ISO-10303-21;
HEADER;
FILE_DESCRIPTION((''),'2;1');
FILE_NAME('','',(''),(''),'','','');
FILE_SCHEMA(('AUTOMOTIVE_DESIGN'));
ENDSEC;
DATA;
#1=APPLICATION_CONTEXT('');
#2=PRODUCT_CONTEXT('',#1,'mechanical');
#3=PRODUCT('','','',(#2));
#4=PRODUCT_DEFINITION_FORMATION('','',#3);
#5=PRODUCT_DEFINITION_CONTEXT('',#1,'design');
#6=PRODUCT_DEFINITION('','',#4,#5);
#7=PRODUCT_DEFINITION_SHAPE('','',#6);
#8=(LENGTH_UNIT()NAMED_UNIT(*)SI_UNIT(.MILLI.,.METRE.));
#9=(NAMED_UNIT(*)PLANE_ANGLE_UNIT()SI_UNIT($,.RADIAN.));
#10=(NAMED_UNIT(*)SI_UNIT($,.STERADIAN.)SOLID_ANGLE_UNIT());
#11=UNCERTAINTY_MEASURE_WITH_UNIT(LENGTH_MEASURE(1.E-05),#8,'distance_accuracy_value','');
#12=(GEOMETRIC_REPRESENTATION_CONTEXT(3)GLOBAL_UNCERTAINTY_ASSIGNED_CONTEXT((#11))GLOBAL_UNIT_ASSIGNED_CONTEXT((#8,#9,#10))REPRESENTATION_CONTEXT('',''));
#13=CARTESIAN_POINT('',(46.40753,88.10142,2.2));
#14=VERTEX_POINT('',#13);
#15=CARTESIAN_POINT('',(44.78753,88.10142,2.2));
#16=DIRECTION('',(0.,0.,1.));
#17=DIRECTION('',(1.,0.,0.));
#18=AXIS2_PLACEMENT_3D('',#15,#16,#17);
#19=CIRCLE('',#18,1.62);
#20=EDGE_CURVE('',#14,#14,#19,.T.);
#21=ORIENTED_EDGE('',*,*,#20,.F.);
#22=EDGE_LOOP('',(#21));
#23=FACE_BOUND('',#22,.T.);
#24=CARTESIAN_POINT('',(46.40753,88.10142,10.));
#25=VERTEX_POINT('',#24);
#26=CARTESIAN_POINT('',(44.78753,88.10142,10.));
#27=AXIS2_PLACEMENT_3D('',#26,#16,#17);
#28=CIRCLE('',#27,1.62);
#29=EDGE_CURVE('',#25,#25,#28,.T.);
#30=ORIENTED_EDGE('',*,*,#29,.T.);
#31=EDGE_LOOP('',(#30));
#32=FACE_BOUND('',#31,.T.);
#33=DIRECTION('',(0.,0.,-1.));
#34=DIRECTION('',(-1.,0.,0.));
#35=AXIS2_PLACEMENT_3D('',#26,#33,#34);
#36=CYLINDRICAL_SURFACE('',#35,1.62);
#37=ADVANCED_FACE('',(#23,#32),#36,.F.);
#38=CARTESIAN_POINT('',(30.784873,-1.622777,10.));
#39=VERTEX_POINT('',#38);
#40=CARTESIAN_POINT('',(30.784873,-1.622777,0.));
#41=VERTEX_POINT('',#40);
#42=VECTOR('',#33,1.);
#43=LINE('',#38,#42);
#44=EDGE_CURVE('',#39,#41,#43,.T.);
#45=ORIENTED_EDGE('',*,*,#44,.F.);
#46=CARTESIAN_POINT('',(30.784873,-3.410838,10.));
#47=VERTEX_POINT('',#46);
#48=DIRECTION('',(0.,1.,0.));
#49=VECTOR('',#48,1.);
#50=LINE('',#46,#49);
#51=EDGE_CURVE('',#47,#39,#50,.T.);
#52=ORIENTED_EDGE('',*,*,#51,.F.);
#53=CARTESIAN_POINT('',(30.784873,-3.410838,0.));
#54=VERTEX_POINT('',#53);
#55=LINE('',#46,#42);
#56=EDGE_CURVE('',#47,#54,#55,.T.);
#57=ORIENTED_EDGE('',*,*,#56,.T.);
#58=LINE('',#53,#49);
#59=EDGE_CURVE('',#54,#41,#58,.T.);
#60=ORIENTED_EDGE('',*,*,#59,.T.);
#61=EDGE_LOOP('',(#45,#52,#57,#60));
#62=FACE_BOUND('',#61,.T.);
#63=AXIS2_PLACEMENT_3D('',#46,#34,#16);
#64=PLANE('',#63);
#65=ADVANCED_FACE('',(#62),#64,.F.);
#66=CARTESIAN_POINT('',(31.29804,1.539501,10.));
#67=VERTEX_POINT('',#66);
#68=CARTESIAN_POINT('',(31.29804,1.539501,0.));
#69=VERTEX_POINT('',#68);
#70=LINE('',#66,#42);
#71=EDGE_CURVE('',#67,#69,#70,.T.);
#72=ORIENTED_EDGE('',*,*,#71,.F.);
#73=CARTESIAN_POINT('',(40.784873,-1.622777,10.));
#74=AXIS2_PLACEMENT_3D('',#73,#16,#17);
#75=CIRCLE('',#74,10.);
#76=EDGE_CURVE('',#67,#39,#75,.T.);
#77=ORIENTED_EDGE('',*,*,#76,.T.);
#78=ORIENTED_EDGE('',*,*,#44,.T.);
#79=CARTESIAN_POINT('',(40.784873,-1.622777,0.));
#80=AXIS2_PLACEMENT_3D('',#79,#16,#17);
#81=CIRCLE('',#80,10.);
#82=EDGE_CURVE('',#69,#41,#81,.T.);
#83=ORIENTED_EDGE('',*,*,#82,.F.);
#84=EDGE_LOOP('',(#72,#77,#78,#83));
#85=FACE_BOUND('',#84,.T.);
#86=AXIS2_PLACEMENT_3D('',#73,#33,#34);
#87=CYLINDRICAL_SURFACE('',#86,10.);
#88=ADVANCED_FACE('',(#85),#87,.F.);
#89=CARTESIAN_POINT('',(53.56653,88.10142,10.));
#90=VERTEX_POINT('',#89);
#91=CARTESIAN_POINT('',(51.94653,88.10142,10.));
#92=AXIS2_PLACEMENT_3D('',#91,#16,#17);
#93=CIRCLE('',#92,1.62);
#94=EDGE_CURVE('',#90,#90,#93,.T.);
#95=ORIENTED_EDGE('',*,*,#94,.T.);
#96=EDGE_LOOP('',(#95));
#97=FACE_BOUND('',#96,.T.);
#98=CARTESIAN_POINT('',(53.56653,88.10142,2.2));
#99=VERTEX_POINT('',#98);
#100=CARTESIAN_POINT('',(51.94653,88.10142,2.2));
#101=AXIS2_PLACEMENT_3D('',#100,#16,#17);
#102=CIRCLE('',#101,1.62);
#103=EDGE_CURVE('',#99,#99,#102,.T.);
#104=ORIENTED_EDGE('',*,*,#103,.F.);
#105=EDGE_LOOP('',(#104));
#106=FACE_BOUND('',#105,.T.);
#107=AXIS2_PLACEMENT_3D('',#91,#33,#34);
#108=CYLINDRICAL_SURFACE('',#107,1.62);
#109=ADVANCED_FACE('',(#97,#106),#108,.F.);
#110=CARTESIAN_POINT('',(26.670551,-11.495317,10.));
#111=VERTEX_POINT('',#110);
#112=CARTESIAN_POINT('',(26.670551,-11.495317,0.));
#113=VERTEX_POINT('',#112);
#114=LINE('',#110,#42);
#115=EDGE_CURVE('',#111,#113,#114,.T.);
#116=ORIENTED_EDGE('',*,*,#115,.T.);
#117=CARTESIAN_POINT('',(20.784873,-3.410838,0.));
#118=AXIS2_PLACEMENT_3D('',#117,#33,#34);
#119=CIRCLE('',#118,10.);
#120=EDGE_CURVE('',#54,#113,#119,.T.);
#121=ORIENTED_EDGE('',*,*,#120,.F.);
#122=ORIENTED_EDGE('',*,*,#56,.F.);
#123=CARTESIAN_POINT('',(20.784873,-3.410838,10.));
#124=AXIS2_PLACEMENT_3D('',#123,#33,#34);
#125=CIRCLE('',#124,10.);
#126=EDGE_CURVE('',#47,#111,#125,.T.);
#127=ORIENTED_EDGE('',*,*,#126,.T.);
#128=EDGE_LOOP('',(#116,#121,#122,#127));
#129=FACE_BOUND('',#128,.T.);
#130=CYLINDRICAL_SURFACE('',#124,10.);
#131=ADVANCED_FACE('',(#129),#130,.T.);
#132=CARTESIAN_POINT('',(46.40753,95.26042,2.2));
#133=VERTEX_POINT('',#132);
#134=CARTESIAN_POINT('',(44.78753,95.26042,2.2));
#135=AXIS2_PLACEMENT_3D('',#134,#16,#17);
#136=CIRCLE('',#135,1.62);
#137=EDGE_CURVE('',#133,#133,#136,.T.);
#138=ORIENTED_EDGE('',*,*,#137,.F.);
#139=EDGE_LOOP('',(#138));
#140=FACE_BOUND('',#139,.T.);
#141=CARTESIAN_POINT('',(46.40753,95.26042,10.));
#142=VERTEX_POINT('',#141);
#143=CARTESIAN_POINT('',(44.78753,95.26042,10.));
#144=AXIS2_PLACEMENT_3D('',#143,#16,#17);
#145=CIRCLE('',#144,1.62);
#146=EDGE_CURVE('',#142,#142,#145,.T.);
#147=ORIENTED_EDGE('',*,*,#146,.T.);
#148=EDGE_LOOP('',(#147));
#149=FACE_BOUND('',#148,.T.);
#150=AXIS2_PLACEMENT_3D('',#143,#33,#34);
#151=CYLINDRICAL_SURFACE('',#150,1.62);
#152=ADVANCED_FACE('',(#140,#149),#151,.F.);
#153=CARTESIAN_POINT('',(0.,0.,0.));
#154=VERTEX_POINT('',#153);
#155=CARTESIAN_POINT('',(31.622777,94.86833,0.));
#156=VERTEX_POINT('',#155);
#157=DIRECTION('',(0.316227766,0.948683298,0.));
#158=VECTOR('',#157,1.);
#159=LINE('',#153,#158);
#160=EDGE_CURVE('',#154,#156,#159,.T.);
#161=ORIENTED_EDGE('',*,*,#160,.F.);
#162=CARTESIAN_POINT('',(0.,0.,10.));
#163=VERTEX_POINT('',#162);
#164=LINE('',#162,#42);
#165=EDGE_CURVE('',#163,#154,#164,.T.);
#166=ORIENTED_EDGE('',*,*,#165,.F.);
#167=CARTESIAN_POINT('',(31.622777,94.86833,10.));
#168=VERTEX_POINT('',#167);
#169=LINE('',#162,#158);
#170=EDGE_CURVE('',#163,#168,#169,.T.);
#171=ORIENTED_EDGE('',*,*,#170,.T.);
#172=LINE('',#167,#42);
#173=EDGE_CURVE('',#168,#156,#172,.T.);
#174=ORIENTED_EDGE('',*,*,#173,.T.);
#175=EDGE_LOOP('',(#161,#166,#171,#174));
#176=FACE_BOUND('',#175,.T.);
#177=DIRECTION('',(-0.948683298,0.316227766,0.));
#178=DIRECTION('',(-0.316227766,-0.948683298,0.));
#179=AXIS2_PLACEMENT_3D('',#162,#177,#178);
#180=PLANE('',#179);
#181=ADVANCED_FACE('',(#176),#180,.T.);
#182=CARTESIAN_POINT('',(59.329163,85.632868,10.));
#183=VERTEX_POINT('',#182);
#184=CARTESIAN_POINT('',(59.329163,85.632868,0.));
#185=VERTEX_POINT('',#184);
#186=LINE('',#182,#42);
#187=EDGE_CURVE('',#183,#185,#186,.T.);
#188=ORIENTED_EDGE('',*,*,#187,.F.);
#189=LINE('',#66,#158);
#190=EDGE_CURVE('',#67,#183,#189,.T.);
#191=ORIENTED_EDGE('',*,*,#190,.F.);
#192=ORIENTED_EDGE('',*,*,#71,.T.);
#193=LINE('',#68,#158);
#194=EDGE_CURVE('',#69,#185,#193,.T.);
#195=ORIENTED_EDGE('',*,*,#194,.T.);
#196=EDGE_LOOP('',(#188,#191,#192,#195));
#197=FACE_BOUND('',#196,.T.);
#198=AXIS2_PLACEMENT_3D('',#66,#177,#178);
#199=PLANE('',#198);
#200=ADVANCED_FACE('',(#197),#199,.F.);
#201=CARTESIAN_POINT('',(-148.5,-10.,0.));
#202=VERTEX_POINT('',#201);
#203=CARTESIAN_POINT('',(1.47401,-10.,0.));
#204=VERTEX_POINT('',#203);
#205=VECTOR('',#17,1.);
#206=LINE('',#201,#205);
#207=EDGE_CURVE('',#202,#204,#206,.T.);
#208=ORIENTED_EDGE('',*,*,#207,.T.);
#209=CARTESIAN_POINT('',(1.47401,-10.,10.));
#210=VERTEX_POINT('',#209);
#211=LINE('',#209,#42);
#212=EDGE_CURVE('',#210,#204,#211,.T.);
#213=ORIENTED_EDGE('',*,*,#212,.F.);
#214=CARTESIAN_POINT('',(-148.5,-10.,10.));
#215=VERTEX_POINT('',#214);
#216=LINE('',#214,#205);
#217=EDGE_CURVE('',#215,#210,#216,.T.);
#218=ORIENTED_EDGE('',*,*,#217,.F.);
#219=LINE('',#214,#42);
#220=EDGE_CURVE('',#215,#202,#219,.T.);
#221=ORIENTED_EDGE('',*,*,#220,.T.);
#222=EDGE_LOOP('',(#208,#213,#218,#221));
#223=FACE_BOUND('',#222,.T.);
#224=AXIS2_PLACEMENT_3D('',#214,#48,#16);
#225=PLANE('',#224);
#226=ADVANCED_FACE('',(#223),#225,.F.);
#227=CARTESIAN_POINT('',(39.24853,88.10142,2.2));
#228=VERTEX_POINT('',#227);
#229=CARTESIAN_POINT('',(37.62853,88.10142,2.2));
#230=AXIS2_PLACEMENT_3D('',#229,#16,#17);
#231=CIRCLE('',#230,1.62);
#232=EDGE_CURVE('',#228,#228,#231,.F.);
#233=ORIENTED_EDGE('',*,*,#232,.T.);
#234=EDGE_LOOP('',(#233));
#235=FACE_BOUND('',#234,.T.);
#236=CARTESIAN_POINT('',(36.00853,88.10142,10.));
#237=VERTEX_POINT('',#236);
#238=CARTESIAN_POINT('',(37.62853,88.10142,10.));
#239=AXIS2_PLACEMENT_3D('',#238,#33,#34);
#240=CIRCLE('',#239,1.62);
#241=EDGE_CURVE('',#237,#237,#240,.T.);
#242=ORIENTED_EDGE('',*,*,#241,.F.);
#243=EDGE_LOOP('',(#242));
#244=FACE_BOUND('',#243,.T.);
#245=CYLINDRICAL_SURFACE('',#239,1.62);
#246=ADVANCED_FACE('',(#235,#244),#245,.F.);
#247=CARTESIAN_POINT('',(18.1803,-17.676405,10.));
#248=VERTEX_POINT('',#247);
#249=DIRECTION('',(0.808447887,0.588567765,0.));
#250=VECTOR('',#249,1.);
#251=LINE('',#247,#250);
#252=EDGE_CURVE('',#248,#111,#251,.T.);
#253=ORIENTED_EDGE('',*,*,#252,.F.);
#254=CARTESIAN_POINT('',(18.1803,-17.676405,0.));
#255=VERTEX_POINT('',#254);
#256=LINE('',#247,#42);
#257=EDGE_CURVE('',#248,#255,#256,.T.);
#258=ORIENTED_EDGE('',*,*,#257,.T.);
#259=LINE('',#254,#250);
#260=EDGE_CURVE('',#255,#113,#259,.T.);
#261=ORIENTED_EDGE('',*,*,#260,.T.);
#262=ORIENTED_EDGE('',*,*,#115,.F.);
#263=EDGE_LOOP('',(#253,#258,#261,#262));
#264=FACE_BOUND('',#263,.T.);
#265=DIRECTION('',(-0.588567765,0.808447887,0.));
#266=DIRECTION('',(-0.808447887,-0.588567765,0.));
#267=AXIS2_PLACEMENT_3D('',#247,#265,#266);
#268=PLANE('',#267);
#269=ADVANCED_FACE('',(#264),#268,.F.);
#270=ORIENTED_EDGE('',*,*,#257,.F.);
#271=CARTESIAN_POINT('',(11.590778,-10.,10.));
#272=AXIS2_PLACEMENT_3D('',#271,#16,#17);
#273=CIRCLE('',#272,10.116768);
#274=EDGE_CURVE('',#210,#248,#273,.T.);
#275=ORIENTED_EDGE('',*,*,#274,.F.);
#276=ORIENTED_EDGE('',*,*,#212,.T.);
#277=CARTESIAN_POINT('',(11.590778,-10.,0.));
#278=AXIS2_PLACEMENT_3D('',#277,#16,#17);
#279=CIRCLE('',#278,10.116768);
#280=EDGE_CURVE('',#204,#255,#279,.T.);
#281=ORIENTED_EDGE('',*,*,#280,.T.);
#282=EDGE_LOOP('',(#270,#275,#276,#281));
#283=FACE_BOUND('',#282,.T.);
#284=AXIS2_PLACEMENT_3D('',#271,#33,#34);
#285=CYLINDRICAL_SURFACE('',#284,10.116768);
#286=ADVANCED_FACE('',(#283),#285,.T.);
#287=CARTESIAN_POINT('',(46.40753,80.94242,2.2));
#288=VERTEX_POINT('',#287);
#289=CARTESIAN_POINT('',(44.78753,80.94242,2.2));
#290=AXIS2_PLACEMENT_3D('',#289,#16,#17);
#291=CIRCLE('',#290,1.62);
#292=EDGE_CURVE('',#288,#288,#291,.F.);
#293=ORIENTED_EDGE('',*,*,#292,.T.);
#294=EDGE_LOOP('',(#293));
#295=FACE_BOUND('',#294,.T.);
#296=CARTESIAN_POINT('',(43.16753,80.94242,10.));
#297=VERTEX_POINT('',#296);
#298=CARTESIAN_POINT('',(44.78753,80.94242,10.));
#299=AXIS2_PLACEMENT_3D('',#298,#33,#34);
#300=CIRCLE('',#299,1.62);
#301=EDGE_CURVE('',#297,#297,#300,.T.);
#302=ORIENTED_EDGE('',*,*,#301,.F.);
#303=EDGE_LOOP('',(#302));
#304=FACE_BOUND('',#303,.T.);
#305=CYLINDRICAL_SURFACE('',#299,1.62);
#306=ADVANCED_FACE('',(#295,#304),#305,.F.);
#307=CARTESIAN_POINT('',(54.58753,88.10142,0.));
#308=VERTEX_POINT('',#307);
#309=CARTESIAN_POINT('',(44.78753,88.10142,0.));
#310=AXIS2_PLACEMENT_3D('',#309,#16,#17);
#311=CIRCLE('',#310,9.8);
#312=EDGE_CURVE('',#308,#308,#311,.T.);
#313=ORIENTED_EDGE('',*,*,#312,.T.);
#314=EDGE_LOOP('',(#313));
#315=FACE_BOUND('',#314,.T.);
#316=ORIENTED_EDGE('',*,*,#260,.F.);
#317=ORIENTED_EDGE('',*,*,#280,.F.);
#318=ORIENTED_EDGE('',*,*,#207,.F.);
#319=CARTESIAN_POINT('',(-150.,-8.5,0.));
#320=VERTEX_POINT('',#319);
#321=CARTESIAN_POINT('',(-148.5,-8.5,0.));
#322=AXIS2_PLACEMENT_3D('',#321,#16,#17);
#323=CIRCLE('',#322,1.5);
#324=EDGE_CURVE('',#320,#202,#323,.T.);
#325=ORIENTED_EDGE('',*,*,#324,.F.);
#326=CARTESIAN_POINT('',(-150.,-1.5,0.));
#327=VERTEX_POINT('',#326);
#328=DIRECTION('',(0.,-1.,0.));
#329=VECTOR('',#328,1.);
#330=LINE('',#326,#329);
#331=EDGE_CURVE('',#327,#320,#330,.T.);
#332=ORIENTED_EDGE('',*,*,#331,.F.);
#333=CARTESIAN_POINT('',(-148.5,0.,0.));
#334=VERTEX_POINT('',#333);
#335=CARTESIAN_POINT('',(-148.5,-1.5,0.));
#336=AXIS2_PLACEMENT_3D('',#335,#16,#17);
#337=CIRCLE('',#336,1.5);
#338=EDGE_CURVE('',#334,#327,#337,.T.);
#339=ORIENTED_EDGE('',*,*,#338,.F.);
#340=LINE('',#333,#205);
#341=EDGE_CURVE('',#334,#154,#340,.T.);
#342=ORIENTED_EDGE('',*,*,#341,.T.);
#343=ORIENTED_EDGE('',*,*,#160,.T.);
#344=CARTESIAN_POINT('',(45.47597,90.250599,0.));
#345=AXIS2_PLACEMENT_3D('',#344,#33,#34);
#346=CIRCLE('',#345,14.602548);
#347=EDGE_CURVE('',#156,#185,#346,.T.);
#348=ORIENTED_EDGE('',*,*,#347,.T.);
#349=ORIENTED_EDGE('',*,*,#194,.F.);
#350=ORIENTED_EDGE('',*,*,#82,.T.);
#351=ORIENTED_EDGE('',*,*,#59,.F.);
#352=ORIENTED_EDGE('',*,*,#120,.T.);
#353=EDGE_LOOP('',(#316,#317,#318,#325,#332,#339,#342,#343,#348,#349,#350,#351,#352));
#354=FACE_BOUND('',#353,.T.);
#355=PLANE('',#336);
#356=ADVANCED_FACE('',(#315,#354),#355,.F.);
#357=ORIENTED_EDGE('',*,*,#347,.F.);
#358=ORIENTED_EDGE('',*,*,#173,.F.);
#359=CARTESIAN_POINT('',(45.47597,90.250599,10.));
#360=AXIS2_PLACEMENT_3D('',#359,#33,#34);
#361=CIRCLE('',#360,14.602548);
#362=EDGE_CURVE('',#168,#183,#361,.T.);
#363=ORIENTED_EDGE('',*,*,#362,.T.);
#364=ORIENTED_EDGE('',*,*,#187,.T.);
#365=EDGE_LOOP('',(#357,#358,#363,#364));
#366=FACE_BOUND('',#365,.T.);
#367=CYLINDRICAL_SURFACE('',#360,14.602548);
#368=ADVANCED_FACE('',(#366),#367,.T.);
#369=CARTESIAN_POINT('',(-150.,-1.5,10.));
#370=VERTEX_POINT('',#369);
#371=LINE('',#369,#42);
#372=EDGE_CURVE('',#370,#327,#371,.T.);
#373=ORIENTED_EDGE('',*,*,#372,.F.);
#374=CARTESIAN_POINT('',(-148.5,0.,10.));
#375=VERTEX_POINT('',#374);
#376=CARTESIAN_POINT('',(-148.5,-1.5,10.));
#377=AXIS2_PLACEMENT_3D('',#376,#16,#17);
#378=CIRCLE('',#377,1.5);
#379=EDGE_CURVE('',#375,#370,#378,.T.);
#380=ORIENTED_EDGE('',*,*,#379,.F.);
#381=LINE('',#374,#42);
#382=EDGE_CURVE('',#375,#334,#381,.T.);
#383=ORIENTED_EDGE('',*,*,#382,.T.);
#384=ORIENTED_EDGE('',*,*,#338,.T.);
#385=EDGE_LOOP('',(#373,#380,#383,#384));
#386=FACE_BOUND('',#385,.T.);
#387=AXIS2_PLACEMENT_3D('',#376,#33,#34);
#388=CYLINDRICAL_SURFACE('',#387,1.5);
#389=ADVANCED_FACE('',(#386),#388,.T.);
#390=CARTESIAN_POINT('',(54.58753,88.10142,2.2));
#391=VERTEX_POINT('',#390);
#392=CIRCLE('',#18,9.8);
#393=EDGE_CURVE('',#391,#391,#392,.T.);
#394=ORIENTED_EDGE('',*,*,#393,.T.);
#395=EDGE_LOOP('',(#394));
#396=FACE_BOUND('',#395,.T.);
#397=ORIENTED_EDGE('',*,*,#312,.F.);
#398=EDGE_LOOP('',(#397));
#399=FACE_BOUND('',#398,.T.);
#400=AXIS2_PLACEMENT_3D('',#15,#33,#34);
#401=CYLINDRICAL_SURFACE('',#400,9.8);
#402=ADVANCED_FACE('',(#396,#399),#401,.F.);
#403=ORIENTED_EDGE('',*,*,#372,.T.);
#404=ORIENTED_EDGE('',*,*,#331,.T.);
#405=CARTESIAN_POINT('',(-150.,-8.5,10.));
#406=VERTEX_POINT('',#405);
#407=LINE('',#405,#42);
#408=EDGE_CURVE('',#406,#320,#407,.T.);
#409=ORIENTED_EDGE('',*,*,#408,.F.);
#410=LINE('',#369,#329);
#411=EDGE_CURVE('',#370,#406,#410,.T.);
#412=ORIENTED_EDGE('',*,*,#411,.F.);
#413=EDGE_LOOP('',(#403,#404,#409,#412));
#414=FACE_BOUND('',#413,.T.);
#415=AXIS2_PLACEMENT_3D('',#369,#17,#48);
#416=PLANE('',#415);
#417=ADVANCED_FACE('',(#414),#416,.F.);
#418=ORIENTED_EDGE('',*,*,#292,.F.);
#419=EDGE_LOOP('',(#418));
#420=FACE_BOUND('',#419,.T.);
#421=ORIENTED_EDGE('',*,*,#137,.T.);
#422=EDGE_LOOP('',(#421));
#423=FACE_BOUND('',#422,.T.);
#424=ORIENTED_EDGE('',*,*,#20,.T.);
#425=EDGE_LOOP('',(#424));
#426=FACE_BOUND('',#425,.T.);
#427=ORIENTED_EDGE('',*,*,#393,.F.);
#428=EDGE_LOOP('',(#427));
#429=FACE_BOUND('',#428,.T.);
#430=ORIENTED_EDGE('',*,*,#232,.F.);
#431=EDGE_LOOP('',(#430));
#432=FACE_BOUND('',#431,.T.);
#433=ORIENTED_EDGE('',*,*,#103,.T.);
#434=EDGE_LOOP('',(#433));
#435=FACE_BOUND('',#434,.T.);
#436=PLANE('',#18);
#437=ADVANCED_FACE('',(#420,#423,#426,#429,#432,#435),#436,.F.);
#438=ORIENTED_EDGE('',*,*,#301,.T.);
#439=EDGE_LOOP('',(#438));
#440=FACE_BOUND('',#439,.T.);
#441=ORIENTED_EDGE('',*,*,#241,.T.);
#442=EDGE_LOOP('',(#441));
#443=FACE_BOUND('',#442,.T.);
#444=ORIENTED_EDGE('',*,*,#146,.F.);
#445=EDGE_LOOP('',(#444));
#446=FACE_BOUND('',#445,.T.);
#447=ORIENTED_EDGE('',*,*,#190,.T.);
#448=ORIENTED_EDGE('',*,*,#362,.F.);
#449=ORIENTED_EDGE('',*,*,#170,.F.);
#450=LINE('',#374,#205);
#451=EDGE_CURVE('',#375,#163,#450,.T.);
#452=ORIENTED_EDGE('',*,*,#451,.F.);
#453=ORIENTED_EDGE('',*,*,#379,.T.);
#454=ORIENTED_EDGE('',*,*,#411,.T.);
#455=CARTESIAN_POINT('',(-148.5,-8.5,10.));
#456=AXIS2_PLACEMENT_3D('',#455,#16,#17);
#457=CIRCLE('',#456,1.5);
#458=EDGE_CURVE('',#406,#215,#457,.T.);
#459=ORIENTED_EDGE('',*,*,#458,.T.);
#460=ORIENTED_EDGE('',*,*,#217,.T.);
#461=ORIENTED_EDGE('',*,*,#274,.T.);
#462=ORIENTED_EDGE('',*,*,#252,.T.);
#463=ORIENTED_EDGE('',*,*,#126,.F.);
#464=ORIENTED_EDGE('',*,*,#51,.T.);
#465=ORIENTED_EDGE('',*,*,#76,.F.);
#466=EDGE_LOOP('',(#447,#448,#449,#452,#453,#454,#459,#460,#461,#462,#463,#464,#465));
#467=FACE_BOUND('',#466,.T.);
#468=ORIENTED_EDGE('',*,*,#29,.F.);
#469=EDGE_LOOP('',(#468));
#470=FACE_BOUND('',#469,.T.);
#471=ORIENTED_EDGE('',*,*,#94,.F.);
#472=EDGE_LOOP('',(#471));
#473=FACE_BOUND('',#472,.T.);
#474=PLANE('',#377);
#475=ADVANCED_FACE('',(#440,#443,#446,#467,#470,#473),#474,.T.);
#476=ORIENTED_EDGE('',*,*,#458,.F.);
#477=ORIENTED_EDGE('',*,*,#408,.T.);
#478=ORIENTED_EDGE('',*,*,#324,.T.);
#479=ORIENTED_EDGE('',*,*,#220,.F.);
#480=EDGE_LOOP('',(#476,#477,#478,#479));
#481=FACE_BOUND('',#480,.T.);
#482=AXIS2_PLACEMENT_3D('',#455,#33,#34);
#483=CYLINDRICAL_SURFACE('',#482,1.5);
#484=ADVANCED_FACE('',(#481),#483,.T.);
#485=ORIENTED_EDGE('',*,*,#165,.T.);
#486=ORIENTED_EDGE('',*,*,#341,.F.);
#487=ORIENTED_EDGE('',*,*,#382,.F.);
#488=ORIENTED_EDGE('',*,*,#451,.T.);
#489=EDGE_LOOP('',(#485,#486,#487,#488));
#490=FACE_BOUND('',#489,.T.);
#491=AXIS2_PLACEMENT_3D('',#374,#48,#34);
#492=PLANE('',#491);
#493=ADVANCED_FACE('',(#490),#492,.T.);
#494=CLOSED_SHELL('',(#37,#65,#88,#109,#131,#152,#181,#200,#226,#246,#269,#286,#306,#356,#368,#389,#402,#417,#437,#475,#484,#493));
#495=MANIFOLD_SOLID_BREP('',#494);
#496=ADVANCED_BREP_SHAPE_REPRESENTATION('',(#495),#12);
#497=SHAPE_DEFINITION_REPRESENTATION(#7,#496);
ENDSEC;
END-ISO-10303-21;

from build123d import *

# Parameters (mm, degrees)
EXTRUDE_1_DEPTH     = 10
SKETCH_1_15_R       = 1.62
CUT_EXTRUDE_2_DEPTH = 10
SKETCH_1_16_R       = 9.8
CUT_EXTRUDE_3_DEPTH = 2.2


with BuildPart() as part:
    # 草图1 → 凸台-拉伸1 (new body)
    with BuildSketch(Plane.XY):
        with BuildLine():
            Line((-150, -1.5), (-150, -8.5))
            ThreePointArc((-150, -8.5), (-149.560660172, -9.560660172), (-148.5, -10))
            Line((-148.5, -10), (1.474010293, -10))
            ThreePointArc((1.474010293, -10), (7.366779588, -19.192759664), (18.180300258, -17.676405182))
            Line((18.180300258, -17.676405182), (26.670550932, -11.495316766))
            ThreePointArc((26.670550932, -11.495316766), (29.697133836, -7.946431766), (30.784873277, -3.410837899))
            Line((30.784873277, -3.410837899), (30.784873277, -1.622776602))
            ThreePointArc((30.784873277, -1.622776602), (30.9139987, -0.020954172), (31.298040296, 1.539501058))
            Line((31.298040296, 1.539501058), (59.329162551, 85.632867822))
            ThreePointArc((59.329162551, 85.632867822), (50.093700568, 104.103791788), (31.622776602, 94.868329805))
            Line((31.622776602, 94.868329805), (0, 0))
            Line((0, 0), (-148.5, 0))
            ThreePointArc((-148.5, 0), (-149.560660172, -0.439339828), (-150, -1.5))
        make_face()
    extrude(amount=EXTRUDE_1_DEPTH)

    # 草图1<15> → 切除-拉伸2 (cut)
    with BuildSketch(Plane.XY):
        with Locations((44.787529943, 88.101420291)):
            Circle(SKETCH_1_15_R)
        with Locations((51.946529943, 88.101420291)):
            Circle(SKETCH_1_15_R)
        with Locations((44.787529943, 95.260420291)):
            Circle(SKETCH_1_15_R)
        with Locations((44.787529943, 80.942420291)):
            Circle(SKETCH_1_15_R)
        with Locations((37.628529943, 88.101420291)):
            Circle(SKETCH_1_15_R)
    extrude(amount=CUT_EXTRUDE_2_DEPTH, mode=Mode.SUBTRACT)

    # 草图1<16> → 切除-拉伸3 (cut)
    with BuildSketch(Plane.XY):
        with Locations((44.787529943, 88.101420291)):
            Circle(SKETCH_1_16_R)
    extrude(amount=CUT_EXTRUDE_3_DEPTH, mode=Mode.SUBTRACT)


solid = part.part
